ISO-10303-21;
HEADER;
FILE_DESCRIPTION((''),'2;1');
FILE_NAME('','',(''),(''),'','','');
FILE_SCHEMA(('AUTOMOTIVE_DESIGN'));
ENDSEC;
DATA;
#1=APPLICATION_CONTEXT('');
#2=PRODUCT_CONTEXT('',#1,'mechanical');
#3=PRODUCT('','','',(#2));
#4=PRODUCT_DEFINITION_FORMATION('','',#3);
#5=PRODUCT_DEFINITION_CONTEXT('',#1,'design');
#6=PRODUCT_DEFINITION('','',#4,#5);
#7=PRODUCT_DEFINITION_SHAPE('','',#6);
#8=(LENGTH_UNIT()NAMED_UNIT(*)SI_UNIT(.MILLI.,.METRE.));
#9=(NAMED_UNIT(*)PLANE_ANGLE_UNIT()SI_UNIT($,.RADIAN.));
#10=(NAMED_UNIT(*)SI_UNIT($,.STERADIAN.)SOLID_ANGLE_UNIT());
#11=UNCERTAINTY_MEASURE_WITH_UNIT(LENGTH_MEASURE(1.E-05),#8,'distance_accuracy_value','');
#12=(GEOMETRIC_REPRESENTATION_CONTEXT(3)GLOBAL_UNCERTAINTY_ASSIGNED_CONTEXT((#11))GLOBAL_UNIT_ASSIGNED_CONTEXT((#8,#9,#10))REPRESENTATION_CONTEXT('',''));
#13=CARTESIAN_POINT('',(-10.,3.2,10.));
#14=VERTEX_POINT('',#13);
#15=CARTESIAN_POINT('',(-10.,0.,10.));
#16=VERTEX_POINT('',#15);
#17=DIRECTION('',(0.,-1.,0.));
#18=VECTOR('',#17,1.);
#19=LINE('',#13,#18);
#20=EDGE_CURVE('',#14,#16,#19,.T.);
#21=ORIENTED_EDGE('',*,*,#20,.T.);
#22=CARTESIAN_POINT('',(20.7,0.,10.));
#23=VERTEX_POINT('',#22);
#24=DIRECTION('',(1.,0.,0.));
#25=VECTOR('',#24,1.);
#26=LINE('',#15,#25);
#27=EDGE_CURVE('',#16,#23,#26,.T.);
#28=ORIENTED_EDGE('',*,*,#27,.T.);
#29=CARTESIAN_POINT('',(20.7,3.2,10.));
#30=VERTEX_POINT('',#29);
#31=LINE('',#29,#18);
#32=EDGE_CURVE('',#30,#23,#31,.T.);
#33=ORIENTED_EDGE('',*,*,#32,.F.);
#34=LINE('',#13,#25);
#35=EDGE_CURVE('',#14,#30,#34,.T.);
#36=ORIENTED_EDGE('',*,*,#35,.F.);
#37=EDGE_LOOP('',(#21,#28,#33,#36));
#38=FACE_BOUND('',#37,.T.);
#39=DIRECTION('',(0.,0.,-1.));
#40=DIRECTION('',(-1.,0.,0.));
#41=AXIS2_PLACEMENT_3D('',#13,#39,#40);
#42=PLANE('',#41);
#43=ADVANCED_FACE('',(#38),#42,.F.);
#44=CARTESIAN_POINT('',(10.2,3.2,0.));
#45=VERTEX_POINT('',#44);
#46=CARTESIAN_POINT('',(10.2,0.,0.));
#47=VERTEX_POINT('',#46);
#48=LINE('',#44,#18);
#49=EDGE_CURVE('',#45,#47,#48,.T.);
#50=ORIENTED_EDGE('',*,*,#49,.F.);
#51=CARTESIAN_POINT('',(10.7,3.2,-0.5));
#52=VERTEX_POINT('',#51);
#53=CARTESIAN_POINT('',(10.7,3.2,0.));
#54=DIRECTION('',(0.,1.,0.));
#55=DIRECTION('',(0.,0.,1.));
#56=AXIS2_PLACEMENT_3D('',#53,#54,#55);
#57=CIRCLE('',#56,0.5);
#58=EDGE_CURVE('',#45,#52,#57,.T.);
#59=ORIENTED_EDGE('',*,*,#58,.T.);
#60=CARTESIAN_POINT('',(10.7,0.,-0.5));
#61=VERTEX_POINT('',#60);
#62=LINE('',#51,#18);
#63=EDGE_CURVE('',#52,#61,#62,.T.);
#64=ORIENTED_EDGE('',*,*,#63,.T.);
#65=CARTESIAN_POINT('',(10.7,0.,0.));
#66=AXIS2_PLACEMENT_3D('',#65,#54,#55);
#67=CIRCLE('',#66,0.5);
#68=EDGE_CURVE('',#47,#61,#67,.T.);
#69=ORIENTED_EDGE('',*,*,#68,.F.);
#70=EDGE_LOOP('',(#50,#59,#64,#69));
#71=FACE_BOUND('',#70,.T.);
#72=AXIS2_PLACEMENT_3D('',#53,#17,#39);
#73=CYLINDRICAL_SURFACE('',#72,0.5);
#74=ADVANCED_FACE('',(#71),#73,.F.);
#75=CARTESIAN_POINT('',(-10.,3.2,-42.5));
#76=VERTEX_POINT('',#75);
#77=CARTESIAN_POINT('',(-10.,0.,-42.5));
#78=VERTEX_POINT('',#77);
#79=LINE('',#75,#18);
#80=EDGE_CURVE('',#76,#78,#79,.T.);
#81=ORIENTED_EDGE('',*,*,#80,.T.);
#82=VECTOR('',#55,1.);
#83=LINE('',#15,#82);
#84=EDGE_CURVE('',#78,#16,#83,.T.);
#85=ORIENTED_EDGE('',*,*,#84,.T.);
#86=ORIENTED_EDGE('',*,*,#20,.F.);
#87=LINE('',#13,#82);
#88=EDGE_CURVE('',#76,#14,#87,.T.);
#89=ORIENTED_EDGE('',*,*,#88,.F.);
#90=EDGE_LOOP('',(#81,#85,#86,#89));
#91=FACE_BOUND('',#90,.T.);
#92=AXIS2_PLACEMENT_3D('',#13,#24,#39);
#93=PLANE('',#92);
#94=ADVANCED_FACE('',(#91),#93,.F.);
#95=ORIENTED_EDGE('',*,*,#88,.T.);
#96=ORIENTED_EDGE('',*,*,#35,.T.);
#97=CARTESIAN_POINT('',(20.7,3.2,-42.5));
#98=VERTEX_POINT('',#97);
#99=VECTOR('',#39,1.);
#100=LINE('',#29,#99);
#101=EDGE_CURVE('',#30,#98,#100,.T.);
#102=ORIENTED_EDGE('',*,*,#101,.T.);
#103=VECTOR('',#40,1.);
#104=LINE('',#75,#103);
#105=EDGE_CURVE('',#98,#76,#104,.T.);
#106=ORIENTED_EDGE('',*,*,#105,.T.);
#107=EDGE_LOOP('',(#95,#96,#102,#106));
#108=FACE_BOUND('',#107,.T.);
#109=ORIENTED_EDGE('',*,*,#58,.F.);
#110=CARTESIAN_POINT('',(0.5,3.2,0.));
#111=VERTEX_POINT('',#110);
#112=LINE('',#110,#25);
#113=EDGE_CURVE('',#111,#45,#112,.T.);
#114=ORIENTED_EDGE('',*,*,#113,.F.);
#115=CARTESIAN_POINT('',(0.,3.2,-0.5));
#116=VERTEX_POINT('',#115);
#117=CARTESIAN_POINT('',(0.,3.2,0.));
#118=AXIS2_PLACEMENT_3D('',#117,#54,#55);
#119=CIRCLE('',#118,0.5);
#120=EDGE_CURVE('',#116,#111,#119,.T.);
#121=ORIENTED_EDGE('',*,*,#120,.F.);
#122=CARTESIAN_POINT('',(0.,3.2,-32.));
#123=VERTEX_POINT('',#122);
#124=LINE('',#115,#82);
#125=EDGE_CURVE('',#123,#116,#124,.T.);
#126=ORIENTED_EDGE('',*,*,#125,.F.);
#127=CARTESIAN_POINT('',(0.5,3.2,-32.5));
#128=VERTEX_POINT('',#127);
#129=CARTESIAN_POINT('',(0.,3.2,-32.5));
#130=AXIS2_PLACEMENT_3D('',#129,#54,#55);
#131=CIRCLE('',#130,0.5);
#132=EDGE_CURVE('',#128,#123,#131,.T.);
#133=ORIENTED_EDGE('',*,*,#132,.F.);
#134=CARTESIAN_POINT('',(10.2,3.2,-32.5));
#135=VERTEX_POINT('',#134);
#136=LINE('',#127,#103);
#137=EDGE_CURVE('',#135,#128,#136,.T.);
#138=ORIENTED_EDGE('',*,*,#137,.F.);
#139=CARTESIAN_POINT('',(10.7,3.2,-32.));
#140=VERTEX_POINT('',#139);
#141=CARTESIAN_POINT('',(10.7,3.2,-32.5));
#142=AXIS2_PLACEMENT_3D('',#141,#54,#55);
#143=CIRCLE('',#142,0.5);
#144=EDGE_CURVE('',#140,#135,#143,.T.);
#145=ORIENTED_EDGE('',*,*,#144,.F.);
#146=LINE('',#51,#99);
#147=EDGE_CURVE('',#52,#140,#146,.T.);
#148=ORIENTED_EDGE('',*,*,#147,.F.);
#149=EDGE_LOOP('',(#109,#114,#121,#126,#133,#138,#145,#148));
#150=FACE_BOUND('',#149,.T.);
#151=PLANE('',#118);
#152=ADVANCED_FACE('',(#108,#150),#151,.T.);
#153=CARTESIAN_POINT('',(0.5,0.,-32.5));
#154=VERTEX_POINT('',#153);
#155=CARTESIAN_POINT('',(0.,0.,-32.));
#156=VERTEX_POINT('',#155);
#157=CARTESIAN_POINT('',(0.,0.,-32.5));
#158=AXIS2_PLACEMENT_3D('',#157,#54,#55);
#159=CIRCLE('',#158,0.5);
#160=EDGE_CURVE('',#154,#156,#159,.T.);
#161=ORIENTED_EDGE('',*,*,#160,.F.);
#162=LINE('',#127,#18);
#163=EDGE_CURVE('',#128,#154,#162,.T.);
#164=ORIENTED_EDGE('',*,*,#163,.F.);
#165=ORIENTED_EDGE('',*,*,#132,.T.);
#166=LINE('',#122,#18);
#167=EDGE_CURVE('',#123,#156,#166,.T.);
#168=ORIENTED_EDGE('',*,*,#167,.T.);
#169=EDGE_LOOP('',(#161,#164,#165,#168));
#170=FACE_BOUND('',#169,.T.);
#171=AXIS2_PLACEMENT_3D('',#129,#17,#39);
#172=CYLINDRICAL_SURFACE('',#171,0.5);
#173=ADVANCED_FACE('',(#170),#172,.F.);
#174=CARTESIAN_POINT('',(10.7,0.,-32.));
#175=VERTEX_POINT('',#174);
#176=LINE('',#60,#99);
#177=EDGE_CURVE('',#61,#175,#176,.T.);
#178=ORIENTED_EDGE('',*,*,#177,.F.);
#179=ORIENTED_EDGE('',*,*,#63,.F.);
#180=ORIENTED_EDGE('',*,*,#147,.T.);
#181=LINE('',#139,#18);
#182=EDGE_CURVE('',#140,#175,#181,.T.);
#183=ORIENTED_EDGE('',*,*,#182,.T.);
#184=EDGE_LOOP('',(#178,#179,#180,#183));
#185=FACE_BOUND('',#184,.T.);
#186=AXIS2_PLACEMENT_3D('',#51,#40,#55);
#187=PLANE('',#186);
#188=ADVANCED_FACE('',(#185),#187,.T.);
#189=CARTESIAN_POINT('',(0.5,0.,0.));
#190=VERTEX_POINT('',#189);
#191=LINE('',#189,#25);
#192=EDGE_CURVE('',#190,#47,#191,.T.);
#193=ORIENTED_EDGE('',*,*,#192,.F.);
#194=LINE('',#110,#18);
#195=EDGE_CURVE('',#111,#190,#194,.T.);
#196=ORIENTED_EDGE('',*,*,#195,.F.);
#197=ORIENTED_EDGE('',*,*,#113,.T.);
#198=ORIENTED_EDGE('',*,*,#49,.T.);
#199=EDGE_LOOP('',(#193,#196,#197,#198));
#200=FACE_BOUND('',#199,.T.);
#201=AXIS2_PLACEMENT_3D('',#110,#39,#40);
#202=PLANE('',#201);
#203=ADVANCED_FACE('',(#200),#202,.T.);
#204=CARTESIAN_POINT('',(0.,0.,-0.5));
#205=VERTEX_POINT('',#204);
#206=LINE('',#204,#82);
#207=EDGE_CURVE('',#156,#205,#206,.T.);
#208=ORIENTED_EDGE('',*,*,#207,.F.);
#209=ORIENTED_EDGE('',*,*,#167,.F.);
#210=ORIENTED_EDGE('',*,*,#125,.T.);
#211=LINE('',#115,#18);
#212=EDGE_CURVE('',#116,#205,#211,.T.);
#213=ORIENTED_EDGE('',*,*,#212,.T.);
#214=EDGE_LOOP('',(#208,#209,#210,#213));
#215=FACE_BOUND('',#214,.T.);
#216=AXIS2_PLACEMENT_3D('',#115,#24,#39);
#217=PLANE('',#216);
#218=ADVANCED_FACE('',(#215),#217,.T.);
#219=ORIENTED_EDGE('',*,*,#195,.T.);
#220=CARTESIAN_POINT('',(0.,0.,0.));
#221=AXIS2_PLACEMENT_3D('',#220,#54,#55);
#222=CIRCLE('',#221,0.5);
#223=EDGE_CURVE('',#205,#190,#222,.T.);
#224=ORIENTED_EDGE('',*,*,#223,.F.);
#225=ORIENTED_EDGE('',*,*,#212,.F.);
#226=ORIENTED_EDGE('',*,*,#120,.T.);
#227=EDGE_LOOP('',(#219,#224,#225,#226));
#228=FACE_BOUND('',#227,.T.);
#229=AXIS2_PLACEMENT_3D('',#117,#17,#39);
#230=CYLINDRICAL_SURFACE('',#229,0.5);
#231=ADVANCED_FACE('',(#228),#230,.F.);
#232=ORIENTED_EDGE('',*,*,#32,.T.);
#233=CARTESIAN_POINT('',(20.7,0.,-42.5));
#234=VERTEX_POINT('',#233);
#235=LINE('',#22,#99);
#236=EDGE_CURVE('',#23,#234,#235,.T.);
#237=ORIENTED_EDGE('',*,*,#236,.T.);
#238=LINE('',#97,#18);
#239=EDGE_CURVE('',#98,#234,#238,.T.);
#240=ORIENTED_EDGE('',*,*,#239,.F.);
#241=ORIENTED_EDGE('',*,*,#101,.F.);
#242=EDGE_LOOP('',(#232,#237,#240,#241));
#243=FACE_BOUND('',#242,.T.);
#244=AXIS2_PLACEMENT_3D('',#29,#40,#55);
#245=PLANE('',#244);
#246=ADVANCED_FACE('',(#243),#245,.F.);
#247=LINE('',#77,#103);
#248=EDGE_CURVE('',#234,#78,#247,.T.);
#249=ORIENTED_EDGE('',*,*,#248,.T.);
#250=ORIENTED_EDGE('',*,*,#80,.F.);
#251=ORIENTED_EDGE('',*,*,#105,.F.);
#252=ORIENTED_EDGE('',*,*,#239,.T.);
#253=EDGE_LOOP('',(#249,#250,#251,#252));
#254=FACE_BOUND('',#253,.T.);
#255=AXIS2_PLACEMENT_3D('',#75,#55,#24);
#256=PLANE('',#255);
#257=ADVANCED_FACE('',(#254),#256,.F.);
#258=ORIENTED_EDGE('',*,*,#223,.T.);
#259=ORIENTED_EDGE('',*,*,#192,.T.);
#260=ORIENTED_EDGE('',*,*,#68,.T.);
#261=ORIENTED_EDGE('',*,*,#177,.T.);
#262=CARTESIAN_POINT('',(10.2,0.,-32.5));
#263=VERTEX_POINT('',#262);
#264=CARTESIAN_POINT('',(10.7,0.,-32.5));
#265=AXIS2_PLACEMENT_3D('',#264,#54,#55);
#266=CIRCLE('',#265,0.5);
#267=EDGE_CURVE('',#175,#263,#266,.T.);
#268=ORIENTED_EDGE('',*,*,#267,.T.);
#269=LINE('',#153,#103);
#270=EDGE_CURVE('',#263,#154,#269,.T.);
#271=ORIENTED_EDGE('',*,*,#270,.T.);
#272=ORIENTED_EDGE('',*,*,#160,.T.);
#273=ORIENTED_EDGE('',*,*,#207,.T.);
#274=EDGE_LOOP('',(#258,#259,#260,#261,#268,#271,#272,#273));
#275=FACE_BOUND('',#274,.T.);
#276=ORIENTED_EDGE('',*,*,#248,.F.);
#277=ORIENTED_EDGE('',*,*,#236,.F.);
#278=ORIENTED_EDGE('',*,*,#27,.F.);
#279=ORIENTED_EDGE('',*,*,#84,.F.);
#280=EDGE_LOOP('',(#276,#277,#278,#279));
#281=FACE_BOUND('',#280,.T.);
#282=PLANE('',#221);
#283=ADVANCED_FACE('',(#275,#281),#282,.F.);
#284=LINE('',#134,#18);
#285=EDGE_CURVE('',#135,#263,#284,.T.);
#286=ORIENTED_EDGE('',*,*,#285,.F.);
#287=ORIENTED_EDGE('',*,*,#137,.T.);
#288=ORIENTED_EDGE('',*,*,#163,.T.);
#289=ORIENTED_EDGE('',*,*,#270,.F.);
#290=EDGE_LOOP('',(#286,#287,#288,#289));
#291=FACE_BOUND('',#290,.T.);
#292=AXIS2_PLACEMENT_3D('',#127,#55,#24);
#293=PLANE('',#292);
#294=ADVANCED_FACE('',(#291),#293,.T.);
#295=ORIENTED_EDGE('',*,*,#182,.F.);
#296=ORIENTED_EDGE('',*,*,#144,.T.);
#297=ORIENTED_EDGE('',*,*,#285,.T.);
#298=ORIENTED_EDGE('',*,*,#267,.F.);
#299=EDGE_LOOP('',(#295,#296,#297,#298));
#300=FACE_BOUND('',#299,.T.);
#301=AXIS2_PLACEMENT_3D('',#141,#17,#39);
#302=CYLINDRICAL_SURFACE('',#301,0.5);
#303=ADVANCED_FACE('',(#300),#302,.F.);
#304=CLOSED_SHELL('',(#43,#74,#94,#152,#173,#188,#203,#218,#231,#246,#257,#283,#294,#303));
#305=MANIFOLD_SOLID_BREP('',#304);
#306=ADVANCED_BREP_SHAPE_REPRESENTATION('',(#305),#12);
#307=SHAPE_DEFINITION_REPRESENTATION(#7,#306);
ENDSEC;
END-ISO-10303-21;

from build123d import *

# Parameters (mm, degrees)
SKETCH1_W           = 30.7
SKETCH1_H           = 52.5
BOSS_EXTRUDE1_DEPTH = 3.2


with BuildPart() as part:
    # Sketch1 → Boss-Extrude1 (new body)
    with BuildSketch(Plane(origin=(0, 0, 0), x_dir=(1, 0, 0), z_dir=(0, 1, 0))):
        with Locations((5.35, 16.25)):
            Rectangle(SKETCH1_W, SKETCH1_H)
        with BuildLine():
            Line((0.5, 0), (10.2, 0))
            ThreePointArc((10.2, 0), (11.053553391, -0.353553391), (10.7, 0.5))
            Line((10.7, 0.5), (10.7, 32))
            ThreePointArc((10.7, 32), (11.053553391, 32.853553391), (10.2, 32.5))
            Line((10.2, 32.5), (0.5, 32.5))
            ThreePointArc((0.5, 32.5), (-0.353553391, 32.853553391), (0, 32))
            Line((0, 32), (0, 0.5))
            ThreePointArc((0, 0.5), (-0.353553391, -0.353553391), (0.5, 0))
        make_face(mode=Mode.SUBTRACT)
    extrude(amount=BOSS_EXTRUDE1_DEPTH)


solid = part.part
